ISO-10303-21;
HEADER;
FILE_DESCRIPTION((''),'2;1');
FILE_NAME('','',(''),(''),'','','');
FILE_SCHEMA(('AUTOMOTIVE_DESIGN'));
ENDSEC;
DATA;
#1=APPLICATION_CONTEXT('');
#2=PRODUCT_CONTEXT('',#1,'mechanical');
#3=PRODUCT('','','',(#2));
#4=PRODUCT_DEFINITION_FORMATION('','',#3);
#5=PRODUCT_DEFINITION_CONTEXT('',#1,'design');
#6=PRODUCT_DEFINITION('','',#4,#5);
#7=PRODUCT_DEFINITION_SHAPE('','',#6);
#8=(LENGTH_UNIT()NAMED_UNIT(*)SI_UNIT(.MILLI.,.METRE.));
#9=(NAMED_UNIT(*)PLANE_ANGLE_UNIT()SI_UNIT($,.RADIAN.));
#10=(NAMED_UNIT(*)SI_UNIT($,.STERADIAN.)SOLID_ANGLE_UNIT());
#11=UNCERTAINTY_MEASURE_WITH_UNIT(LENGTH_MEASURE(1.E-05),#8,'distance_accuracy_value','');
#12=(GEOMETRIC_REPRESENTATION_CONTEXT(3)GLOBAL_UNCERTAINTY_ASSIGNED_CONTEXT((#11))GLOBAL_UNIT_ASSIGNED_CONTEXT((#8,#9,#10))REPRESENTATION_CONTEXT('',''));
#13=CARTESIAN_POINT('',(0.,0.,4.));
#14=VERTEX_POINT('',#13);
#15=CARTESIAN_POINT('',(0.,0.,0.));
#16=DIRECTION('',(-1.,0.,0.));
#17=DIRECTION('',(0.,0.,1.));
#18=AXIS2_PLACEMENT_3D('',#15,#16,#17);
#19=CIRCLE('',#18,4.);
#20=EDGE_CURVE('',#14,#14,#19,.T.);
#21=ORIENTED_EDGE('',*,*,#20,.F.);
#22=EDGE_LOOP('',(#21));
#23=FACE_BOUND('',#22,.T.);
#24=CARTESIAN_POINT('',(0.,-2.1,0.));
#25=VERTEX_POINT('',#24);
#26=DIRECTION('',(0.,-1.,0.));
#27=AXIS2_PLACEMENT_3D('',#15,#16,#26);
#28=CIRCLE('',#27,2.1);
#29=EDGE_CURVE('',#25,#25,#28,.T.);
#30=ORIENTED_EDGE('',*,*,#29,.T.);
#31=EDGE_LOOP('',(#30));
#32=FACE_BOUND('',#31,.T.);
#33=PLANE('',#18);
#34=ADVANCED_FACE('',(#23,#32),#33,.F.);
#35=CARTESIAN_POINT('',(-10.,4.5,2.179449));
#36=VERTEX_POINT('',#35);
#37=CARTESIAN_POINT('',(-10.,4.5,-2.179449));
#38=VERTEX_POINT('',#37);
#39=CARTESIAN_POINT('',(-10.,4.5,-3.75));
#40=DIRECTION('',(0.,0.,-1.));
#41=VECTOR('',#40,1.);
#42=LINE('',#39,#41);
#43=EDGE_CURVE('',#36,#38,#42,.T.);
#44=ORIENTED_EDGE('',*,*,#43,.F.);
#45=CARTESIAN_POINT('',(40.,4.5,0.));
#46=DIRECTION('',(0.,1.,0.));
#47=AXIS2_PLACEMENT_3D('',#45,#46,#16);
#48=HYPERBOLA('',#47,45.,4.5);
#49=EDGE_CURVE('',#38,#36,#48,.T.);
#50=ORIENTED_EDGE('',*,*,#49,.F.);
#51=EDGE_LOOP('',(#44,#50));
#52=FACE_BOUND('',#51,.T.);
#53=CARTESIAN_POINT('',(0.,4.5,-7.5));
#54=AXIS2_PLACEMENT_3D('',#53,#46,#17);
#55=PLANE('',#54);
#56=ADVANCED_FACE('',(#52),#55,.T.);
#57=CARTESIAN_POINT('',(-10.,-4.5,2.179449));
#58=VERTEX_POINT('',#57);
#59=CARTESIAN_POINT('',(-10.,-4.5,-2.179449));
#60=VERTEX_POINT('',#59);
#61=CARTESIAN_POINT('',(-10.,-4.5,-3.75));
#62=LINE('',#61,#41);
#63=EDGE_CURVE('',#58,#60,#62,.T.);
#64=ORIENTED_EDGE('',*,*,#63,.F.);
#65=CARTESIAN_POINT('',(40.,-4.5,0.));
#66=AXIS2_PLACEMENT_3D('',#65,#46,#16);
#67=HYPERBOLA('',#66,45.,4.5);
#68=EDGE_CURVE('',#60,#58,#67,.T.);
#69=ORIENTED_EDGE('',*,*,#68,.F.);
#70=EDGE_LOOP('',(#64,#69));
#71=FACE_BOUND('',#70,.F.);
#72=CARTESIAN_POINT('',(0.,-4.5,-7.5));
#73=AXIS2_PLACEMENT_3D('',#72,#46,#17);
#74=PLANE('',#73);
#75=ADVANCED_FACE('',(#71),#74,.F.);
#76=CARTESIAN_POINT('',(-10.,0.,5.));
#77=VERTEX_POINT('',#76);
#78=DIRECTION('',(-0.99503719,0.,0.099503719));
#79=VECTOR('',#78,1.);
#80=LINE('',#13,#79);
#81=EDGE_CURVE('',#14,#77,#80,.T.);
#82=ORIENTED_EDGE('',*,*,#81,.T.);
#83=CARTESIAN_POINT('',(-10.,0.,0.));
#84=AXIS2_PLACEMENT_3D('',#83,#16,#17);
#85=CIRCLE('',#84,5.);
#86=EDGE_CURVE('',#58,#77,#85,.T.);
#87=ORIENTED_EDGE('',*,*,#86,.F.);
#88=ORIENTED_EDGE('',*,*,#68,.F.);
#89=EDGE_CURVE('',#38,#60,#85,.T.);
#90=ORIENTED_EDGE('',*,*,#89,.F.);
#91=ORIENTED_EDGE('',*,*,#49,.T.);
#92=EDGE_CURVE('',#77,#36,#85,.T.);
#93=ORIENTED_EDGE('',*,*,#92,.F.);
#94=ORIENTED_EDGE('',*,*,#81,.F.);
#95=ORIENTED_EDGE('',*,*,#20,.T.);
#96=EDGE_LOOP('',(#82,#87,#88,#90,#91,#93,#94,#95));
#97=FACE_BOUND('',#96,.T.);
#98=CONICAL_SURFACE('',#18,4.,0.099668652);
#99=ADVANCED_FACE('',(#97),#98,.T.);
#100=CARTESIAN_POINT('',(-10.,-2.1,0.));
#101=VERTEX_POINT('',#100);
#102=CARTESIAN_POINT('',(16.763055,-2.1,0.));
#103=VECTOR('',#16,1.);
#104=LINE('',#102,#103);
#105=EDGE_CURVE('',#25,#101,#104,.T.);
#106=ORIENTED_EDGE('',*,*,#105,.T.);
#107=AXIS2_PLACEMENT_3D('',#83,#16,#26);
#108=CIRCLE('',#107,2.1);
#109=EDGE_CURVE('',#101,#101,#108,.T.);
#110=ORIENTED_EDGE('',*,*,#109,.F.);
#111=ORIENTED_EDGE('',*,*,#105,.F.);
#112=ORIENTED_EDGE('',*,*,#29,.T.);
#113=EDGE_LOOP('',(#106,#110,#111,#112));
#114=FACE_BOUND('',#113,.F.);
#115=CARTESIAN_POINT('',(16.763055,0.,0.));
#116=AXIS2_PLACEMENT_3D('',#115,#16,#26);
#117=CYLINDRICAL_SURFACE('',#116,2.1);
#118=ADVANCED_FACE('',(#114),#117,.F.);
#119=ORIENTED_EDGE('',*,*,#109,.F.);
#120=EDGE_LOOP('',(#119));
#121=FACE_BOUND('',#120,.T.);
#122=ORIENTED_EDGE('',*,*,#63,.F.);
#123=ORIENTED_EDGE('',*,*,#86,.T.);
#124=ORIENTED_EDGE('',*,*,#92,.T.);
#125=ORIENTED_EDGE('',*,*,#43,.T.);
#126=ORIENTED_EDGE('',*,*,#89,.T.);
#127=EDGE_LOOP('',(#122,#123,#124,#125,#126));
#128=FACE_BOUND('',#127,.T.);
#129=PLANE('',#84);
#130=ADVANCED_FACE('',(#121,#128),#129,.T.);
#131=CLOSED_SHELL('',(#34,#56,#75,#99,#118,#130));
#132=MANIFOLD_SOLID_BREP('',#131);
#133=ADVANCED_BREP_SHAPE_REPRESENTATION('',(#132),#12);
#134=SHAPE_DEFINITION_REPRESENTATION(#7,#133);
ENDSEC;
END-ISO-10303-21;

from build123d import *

# Parameters (mm, degrees)
F2_W     = 9
F2_H     = 15
F3_DEPTH = 10.001
F5_D     = 4.2


with BuildPart() as f1:
    # F0 (on Front) → F1 (revolve)
    with BuildSketch(Plane.XZ):
        Polygon((-10, 0), (0, 0), (0, 4), (-10, 5), align=None)
    revolve(axis=Axis((-5, 0, 0), (-1, 0, 0)))

    # F2 (on face) → F3 (intersect, through all)
    with BuildSketch(Plane.YZ):
        Rectangle(F2_W, F2_H)
    extrude(amount=-F3_DEPTH, mode=Mode.INTERSECT)

    # F5 (through all)
    with Locations(Plane.YZ):
        with Locations((0, 0)):
            Hole(F5_D / 2)


solid = f1.part
